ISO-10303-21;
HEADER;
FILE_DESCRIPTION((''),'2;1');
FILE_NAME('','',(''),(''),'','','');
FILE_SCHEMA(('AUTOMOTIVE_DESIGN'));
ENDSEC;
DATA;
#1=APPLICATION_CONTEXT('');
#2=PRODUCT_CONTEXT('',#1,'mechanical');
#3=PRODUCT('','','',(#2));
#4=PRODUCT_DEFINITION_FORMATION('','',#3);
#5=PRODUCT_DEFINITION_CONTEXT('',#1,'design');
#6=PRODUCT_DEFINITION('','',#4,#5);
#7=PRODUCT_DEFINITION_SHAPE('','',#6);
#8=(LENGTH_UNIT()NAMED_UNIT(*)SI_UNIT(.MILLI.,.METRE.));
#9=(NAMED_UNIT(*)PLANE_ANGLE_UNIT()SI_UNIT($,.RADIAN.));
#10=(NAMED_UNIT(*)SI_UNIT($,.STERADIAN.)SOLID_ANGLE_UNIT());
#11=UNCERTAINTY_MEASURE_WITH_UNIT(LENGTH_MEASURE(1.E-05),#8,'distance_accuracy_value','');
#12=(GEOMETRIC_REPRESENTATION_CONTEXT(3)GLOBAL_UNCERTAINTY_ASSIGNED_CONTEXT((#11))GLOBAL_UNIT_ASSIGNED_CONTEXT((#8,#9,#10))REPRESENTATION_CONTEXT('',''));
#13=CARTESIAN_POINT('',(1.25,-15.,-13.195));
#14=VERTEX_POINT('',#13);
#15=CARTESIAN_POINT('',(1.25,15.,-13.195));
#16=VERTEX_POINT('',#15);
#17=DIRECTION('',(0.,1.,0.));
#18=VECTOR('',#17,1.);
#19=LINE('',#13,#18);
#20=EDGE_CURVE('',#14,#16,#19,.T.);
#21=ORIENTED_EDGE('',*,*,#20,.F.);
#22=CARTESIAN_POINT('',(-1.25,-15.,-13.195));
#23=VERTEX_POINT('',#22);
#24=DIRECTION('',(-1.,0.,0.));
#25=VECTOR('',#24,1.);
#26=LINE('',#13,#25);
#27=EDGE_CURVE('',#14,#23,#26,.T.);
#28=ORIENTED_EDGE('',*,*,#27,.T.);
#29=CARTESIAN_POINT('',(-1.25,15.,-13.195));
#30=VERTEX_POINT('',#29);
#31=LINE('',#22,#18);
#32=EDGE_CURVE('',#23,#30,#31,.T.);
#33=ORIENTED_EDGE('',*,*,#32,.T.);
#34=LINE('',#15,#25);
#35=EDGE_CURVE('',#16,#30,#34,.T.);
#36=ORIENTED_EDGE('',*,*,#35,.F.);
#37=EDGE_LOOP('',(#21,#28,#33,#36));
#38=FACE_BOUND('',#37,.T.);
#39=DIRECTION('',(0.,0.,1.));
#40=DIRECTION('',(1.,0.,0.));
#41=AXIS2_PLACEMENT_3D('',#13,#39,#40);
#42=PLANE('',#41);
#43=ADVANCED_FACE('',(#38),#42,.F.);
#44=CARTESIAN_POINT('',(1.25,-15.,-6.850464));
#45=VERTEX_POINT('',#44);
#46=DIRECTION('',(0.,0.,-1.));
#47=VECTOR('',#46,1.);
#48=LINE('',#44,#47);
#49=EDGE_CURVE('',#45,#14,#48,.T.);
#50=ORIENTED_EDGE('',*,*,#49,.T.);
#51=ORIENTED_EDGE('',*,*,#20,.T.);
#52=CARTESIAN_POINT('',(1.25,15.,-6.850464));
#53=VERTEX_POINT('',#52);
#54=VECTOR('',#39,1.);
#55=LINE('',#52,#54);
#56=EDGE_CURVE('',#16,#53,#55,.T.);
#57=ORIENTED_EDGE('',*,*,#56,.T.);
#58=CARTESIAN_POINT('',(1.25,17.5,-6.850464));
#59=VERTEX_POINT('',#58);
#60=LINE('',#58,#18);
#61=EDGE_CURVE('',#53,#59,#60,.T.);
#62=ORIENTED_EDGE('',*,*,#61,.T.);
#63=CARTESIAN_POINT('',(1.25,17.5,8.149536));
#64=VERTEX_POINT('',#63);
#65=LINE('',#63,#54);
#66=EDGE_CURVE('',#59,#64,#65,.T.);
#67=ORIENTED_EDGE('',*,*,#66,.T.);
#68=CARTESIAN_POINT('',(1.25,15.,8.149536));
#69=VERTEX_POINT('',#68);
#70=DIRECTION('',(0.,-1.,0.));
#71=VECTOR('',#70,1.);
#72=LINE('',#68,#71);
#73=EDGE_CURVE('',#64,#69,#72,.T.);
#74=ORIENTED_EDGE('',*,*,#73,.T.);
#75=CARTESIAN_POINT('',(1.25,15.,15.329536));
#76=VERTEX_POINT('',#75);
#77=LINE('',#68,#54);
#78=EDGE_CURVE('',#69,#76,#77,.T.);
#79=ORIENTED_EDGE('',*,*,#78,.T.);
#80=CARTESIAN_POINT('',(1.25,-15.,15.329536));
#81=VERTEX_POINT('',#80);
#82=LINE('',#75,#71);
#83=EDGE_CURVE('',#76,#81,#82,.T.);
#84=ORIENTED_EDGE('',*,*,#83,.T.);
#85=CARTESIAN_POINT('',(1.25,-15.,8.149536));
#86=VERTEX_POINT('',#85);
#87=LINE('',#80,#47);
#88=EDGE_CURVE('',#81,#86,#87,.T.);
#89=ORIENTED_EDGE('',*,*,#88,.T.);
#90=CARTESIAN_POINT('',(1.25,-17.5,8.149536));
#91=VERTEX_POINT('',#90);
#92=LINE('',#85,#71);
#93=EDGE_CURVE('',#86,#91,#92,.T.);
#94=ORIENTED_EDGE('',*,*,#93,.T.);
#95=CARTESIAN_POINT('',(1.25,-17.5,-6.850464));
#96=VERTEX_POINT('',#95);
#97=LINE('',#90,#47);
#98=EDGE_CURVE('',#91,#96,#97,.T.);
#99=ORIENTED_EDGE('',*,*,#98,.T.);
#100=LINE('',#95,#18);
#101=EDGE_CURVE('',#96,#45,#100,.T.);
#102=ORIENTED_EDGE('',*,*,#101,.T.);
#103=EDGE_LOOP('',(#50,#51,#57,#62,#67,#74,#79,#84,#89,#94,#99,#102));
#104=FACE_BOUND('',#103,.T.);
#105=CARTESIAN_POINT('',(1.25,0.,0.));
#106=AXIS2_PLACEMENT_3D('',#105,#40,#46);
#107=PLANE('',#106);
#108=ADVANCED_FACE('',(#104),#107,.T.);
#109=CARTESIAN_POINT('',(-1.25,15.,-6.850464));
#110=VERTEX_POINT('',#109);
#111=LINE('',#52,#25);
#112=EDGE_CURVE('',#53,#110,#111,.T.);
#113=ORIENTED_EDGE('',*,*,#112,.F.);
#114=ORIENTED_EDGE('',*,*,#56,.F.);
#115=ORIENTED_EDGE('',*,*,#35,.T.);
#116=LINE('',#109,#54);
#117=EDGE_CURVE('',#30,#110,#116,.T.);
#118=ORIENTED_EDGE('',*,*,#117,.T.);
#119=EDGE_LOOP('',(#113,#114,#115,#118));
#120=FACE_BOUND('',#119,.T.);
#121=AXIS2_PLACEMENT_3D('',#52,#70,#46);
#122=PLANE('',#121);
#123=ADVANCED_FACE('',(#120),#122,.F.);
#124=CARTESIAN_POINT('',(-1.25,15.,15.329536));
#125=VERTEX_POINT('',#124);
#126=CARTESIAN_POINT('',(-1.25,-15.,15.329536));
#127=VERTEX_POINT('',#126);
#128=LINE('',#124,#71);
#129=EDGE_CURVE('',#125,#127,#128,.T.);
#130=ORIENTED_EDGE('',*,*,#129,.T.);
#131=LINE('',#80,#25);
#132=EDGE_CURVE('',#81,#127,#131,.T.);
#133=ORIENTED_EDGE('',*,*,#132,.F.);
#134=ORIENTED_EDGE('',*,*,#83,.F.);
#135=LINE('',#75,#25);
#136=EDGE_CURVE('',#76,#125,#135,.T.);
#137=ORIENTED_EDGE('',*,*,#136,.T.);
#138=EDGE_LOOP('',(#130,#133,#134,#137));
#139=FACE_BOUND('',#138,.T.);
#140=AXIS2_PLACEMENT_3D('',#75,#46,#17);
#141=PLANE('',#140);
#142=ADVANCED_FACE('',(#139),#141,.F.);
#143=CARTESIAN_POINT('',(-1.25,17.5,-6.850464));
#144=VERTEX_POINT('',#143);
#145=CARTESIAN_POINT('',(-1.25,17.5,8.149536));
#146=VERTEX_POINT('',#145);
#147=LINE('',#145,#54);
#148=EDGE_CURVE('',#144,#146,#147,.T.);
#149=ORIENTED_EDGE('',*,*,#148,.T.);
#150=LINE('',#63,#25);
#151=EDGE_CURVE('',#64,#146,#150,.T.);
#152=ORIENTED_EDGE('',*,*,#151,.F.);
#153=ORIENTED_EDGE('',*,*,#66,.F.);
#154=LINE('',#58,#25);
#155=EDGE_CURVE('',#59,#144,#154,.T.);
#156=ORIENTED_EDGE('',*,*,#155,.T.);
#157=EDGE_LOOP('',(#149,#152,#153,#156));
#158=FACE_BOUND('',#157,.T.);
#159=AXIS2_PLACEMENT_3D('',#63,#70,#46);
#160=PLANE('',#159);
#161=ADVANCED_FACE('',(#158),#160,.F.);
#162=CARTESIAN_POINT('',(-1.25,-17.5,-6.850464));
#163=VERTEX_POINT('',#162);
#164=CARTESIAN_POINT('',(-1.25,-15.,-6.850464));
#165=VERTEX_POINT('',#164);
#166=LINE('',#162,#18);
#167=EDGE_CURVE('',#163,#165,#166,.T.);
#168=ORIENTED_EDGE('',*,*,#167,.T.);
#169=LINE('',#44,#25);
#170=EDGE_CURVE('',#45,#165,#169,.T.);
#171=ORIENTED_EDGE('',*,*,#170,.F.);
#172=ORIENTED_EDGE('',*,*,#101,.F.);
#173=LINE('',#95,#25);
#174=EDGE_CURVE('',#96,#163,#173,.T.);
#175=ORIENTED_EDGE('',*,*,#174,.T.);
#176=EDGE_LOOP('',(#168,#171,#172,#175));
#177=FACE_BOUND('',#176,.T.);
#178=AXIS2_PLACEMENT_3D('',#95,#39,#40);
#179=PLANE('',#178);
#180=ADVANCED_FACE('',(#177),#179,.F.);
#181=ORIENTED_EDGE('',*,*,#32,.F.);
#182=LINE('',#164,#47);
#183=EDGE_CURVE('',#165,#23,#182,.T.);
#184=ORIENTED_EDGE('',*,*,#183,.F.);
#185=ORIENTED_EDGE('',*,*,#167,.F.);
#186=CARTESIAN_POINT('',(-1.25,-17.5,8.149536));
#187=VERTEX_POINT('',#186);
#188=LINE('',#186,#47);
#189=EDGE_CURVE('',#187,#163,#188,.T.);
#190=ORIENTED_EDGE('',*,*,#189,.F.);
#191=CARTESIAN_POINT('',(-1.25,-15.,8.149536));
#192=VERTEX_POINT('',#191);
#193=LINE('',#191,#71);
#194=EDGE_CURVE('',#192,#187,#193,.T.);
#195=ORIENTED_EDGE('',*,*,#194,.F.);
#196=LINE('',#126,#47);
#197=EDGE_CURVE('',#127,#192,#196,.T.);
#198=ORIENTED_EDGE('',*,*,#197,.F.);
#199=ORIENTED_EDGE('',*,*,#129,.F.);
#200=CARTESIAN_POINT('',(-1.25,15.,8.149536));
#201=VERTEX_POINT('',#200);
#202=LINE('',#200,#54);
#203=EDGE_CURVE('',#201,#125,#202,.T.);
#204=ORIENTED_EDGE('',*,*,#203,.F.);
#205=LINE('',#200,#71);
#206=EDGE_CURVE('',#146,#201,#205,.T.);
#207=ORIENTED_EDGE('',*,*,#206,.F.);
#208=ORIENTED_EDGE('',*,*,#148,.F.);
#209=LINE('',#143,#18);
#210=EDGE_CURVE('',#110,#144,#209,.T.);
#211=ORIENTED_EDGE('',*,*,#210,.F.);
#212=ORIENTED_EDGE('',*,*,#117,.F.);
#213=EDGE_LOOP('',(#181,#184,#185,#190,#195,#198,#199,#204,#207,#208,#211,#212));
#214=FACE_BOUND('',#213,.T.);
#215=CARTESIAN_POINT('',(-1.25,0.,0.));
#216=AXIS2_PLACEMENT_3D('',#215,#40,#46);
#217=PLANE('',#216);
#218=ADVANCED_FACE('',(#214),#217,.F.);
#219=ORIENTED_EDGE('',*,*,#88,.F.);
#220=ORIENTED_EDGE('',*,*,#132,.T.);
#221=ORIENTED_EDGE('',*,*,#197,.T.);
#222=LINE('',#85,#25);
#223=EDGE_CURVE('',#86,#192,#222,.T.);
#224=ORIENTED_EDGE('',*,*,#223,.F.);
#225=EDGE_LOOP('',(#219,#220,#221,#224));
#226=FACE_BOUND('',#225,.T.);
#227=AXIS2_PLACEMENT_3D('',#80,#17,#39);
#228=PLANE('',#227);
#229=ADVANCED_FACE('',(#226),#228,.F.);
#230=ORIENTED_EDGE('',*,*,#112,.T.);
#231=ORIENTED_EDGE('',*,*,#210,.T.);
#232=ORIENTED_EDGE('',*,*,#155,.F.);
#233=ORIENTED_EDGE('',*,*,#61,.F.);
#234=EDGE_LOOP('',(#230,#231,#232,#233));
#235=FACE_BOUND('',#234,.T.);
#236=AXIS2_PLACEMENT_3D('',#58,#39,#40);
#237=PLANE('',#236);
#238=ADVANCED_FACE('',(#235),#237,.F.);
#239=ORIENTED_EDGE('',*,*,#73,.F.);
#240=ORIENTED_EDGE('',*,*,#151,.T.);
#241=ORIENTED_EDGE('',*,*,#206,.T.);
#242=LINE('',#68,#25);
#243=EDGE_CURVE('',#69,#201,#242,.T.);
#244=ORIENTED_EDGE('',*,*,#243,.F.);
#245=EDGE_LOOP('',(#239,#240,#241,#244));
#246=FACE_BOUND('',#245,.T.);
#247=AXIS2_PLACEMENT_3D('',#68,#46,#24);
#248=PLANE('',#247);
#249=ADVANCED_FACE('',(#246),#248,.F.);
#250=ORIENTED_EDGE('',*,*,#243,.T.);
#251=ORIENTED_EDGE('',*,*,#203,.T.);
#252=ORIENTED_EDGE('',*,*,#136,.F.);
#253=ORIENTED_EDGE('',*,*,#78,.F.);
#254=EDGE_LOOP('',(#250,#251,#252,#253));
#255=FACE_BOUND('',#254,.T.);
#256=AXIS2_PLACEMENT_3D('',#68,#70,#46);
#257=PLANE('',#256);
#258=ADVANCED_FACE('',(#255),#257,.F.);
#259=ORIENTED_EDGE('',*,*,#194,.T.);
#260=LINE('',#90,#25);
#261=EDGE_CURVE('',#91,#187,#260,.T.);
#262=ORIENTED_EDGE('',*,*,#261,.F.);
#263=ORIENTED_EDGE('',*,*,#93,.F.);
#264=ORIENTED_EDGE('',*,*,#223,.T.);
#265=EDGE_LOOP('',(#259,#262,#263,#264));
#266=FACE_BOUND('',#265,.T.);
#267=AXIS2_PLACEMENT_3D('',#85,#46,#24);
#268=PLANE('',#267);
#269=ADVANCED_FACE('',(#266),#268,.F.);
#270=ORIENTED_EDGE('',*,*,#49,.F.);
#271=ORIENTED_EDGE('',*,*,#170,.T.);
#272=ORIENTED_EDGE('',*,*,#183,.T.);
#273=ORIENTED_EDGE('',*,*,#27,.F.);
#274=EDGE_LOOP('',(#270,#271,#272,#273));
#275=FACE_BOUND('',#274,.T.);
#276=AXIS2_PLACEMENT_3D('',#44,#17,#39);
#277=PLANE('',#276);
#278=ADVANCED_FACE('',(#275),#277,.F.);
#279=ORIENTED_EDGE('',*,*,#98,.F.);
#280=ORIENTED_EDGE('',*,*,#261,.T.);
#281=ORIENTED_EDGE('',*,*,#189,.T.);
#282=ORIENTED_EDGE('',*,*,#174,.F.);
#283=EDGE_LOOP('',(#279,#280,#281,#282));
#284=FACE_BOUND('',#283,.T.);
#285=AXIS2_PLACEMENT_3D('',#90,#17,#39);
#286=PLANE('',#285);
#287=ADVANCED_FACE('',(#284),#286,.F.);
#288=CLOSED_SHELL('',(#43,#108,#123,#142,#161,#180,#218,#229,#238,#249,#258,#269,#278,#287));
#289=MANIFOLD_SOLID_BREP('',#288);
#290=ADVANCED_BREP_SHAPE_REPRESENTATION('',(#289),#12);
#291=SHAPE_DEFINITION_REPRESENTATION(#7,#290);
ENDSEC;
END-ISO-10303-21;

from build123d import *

# Parameters (mm, degrees)
BOSS_EXTRUDE1_DEPTH = 1.25


with BuildPart() as part:
    # Sketch1 → Boss-Extrude1 (new, symmetric)
    with BuildSketch(Plane(origin=(0, 0, 0), x_dir=(0, 0, -1), z_dir=(1, 0, 0))):
        Polygon((13.195, -15), (13.195, 15), (6.85046433, 15), (6.85046433, 17.5), (-8.14953567, 17.5), (-8.14953567, 15), (-15.32953567, 15), (-15.32953567, -15), (-8.14953567, -15), (-8.14953567, -17.5), (6.85046433, -17.5), (6.85046433, -15), align=None)
    extrude(amount=BOSS_EXTRUDE1_DEPTH, both=True)


solid = part.part
